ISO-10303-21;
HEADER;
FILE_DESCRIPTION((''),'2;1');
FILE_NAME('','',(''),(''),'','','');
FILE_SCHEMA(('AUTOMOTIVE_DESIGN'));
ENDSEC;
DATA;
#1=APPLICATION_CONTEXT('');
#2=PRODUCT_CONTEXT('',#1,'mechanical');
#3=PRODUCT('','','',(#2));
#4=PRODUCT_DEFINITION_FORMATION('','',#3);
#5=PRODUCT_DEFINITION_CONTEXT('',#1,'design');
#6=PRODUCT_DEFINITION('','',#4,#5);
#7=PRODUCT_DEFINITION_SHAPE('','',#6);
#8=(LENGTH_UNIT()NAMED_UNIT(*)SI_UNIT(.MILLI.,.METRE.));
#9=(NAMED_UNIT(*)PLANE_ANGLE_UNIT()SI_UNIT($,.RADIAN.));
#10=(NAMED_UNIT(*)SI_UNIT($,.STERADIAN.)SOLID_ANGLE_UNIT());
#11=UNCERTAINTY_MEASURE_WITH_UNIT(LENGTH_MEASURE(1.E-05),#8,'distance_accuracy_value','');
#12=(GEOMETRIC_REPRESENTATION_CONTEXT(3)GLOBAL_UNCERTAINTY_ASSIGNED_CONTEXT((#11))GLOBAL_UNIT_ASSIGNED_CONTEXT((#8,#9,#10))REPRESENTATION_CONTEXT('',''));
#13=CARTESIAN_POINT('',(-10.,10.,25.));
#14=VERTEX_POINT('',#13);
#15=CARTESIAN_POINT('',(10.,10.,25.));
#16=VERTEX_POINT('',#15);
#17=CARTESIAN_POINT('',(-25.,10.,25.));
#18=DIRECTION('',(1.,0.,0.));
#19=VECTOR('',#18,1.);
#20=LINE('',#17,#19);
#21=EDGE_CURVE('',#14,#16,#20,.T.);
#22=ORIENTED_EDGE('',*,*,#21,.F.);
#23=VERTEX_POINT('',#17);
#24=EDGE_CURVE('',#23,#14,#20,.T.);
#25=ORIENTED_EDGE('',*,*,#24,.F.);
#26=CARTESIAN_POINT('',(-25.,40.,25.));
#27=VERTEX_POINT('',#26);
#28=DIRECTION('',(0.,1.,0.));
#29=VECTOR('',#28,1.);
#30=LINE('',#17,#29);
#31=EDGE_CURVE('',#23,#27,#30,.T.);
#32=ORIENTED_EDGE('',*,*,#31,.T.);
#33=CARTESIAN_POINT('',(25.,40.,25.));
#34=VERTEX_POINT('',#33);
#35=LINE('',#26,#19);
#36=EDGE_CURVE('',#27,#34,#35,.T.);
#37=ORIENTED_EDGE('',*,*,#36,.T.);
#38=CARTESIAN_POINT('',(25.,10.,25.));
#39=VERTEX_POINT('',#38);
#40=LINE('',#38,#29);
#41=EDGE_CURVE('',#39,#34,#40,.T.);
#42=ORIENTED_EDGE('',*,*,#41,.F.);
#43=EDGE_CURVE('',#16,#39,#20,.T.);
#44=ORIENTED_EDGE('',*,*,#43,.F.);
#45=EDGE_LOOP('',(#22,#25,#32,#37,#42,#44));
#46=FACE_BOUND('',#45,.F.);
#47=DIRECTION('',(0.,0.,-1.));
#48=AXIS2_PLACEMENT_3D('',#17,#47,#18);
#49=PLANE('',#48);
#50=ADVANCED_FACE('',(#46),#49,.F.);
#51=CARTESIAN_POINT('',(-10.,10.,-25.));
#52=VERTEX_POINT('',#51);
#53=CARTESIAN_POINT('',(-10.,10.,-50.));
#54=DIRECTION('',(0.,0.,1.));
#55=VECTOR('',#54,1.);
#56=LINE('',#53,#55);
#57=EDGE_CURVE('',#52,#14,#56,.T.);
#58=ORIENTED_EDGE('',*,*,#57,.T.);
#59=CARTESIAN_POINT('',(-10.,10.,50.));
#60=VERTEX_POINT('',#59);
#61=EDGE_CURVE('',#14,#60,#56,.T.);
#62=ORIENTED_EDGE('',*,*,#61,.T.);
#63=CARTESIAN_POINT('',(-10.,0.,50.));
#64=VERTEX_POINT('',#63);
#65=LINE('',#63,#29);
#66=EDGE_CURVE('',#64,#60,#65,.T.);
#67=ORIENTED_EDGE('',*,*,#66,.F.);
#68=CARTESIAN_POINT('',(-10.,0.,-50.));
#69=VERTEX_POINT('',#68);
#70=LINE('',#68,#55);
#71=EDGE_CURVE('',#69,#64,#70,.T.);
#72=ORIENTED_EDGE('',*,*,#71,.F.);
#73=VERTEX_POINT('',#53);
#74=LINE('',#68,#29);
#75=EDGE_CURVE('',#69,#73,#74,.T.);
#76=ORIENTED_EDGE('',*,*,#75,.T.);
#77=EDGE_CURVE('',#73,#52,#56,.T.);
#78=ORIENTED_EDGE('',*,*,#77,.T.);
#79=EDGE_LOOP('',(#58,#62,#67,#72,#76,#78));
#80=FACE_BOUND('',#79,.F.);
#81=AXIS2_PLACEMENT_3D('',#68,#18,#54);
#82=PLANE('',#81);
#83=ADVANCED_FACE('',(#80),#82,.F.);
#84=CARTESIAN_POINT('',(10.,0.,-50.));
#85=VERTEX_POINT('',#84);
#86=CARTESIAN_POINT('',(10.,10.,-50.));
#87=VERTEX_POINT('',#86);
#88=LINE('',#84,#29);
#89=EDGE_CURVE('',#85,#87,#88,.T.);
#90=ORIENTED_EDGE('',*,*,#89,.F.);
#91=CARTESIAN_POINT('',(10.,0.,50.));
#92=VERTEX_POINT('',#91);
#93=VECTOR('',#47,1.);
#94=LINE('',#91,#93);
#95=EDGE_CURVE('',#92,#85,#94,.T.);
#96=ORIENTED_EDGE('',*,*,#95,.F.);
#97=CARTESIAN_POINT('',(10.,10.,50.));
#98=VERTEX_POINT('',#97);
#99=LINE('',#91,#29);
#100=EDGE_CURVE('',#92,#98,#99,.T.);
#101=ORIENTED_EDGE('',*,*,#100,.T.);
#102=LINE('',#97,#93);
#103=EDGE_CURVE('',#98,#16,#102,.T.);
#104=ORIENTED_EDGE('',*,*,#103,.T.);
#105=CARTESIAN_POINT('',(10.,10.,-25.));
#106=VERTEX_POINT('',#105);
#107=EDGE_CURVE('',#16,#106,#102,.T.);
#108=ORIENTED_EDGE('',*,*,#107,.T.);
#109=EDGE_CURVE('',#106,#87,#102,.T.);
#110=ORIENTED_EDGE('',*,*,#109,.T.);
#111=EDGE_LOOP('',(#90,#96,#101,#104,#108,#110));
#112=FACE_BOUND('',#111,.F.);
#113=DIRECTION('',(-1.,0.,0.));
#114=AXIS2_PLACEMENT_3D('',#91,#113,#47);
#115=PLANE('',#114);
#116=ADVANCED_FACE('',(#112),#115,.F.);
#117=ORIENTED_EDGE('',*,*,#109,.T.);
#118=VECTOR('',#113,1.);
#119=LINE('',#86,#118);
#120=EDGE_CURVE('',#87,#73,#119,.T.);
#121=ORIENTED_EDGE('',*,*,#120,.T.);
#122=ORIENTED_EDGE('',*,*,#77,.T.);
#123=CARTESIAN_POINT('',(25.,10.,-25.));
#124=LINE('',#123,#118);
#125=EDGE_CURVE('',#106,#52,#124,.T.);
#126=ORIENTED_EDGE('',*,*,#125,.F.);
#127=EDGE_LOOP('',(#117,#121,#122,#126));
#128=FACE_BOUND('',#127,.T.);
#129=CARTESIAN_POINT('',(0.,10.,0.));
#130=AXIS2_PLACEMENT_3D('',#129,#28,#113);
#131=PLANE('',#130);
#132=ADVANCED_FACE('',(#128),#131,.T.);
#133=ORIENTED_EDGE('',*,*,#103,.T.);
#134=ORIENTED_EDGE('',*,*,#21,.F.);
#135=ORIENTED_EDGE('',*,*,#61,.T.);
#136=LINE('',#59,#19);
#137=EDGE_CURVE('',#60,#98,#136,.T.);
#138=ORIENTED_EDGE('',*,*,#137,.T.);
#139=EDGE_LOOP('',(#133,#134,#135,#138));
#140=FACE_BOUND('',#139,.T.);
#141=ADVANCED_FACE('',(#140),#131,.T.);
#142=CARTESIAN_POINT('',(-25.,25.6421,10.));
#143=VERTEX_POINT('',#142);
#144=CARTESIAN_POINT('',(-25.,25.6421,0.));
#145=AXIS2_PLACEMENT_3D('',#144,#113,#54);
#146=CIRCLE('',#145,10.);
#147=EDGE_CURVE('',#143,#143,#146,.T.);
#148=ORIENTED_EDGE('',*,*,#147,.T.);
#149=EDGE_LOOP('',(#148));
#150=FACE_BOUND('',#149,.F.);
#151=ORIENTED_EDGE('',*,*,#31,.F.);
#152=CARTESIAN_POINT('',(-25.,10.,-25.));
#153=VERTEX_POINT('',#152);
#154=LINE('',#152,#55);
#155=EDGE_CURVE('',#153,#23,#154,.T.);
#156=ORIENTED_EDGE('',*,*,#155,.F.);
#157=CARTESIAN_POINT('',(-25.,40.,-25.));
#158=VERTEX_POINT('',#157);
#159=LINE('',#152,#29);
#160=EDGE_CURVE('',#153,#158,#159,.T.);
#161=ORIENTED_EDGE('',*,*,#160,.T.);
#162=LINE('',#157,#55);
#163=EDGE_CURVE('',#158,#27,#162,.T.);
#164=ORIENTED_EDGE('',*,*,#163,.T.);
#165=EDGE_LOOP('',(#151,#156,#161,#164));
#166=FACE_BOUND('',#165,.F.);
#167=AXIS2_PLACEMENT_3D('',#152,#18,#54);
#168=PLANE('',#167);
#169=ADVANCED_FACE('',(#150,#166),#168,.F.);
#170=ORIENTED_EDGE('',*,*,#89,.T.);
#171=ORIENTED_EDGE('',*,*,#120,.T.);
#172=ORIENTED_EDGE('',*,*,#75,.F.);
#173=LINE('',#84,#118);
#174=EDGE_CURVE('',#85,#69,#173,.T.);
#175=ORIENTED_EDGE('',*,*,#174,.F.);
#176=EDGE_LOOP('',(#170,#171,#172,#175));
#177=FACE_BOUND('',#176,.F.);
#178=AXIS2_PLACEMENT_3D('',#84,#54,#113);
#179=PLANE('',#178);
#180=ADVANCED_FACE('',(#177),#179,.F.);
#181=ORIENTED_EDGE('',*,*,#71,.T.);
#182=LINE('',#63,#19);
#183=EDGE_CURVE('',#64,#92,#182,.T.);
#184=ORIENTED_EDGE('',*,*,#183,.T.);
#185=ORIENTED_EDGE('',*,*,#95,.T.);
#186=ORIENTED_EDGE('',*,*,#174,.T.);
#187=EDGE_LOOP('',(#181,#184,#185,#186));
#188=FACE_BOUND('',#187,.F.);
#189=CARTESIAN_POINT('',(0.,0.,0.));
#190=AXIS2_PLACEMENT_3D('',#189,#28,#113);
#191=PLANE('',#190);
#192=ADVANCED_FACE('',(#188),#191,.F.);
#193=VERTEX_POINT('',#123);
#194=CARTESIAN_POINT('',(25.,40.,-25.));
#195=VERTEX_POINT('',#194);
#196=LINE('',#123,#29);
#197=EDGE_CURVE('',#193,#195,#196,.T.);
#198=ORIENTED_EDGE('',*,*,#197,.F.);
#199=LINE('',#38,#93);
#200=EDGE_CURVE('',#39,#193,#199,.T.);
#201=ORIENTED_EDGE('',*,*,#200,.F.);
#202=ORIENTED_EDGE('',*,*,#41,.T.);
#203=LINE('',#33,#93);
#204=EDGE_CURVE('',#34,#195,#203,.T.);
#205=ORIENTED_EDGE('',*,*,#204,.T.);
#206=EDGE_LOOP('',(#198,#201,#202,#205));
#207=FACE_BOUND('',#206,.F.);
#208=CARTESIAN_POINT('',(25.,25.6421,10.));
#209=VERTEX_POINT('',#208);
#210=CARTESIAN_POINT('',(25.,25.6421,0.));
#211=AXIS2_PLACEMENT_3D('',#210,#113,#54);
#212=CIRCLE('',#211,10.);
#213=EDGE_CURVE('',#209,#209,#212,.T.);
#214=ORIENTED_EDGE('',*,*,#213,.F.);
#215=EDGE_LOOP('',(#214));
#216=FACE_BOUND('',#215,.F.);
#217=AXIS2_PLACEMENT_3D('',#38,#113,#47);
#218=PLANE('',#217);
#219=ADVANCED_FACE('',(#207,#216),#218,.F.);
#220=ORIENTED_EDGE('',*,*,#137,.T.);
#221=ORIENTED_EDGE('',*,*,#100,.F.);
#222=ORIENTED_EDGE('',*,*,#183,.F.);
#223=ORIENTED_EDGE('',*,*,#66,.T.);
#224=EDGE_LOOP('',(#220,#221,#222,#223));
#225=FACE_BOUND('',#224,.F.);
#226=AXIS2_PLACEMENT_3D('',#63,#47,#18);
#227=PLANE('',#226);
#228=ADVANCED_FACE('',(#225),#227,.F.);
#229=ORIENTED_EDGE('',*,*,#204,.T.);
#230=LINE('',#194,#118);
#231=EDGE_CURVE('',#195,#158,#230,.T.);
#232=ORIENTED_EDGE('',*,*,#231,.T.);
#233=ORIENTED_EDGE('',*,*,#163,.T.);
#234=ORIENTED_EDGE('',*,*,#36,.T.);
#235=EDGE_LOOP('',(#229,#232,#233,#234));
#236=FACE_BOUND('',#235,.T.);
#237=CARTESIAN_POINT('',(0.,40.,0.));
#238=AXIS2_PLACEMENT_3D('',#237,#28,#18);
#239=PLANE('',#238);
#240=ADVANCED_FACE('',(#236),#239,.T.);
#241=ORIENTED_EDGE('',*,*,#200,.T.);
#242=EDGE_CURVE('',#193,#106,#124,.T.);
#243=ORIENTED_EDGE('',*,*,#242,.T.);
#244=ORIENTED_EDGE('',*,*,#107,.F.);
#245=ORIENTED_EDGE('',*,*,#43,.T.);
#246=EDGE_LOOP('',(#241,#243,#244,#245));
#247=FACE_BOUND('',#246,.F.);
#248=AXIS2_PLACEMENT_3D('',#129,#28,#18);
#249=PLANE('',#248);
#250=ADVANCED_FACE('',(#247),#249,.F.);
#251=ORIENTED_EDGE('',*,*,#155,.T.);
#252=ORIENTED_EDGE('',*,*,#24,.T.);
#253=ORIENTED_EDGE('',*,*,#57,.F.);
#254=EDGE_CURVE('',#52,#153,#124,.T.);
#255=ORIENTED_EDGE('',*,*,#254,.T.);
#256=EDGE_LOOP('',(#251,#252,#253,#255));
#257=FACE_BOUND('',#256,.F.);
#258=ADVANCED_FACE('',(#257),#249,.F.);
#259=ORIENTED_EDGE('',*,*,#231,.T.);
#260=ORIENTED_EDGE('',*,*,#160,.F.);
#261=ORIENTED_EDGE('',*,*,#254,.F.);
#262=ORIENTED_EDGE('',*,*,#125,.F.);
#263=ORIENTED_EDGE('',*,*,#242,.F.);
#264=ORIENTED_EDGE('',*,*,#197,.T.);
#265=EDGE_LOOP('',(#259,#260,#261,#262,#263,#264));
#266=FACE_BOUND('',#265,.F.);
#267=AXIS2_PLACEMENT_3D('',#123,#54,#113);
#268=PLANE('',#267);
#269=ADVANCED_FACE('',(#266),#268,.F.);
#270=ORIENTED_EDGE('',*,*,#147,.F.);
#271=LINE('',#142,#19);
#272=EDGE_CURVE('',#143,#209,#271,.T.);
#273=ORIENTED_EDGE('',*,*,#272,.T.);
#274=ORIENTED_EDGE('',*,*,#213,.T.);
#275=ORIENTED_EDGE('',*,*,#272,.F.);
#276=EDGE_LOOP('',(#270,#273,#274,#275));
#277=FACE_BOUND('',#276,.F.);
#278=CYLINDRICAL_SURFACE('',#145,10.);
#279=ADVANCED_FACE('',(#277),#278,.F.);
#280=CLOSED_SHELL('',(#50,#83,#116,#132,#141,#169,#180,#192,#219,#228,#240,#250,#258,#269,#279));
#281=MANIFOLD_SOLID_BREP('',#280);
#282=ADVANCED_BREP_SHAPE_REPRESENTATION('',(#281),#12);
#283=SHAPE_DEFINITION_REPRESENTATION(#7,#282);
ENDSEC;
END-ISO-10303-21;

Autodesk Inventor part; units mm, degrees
ref_plane "YZ Plane" through (0, 0, 0) normal (1, 0, 0) x (0, 1, 0)
ref_plane "XZ Plane" through (0, 0, 0) normal (0, 1, 0) x (-1, 0, 0)
ref_plane "XY Plane" through (0, 0, 0) normal (0, 0, 1) x (1, 0, 0)
sketch "Sketch1" plane through (0, 0, 0) normal (0, 1, 0) x (-1, 0, 0)
  line L0 (-10, -50) -> (10, -50)
  line L1 (10, -50) -> (10, 50)
  line L2 (10, 50) -> (-10, 50)
  line L3 (-10, 50) -> (-10, -50)
  line L4 (-10, -50) -> (10, 50) construction
  line L5 (10, -50) -> (-10, 50) construction
  point P0 (0, 0)
  dimension "d0" = 20
  dimension "d1" = 100
extrude "Extrusion1" add sketch "Sketch1" along normal blind 10
sketch "Sketch2" plane through (0, 10, 0) normal (0, 1, 0) x (1, 0, 0)
  line L0 (25, 25) -> (-25, 25)
  line L1 (-25, 25) -> (-25, -25)
  line L2 (-25, -25) -> (25, -25)
  line L3 (25, -25) -> (25, 25)
  line L4 (25, 25) -> (-25, -25) construction
  line L5 (-25, 25) -> (25, -25) construction
  point P0 (0, 0)
  dimension "d4" = 50
  dimension "d5" = 50
extrude "Extrusion2" add sketch "Sketch2" along normal blind 30
sketch "Sketch3" plane through (-25, 10, -25) normal (-1, 0, 0) x (0, 0, 1)
  circle A0 centre (25, 15.6421) radius 10
  point P0 (25, -10)
  dimension "d8" = 20
extrude "Extrusion3" cut sketch "Sketch3" against normal through all
